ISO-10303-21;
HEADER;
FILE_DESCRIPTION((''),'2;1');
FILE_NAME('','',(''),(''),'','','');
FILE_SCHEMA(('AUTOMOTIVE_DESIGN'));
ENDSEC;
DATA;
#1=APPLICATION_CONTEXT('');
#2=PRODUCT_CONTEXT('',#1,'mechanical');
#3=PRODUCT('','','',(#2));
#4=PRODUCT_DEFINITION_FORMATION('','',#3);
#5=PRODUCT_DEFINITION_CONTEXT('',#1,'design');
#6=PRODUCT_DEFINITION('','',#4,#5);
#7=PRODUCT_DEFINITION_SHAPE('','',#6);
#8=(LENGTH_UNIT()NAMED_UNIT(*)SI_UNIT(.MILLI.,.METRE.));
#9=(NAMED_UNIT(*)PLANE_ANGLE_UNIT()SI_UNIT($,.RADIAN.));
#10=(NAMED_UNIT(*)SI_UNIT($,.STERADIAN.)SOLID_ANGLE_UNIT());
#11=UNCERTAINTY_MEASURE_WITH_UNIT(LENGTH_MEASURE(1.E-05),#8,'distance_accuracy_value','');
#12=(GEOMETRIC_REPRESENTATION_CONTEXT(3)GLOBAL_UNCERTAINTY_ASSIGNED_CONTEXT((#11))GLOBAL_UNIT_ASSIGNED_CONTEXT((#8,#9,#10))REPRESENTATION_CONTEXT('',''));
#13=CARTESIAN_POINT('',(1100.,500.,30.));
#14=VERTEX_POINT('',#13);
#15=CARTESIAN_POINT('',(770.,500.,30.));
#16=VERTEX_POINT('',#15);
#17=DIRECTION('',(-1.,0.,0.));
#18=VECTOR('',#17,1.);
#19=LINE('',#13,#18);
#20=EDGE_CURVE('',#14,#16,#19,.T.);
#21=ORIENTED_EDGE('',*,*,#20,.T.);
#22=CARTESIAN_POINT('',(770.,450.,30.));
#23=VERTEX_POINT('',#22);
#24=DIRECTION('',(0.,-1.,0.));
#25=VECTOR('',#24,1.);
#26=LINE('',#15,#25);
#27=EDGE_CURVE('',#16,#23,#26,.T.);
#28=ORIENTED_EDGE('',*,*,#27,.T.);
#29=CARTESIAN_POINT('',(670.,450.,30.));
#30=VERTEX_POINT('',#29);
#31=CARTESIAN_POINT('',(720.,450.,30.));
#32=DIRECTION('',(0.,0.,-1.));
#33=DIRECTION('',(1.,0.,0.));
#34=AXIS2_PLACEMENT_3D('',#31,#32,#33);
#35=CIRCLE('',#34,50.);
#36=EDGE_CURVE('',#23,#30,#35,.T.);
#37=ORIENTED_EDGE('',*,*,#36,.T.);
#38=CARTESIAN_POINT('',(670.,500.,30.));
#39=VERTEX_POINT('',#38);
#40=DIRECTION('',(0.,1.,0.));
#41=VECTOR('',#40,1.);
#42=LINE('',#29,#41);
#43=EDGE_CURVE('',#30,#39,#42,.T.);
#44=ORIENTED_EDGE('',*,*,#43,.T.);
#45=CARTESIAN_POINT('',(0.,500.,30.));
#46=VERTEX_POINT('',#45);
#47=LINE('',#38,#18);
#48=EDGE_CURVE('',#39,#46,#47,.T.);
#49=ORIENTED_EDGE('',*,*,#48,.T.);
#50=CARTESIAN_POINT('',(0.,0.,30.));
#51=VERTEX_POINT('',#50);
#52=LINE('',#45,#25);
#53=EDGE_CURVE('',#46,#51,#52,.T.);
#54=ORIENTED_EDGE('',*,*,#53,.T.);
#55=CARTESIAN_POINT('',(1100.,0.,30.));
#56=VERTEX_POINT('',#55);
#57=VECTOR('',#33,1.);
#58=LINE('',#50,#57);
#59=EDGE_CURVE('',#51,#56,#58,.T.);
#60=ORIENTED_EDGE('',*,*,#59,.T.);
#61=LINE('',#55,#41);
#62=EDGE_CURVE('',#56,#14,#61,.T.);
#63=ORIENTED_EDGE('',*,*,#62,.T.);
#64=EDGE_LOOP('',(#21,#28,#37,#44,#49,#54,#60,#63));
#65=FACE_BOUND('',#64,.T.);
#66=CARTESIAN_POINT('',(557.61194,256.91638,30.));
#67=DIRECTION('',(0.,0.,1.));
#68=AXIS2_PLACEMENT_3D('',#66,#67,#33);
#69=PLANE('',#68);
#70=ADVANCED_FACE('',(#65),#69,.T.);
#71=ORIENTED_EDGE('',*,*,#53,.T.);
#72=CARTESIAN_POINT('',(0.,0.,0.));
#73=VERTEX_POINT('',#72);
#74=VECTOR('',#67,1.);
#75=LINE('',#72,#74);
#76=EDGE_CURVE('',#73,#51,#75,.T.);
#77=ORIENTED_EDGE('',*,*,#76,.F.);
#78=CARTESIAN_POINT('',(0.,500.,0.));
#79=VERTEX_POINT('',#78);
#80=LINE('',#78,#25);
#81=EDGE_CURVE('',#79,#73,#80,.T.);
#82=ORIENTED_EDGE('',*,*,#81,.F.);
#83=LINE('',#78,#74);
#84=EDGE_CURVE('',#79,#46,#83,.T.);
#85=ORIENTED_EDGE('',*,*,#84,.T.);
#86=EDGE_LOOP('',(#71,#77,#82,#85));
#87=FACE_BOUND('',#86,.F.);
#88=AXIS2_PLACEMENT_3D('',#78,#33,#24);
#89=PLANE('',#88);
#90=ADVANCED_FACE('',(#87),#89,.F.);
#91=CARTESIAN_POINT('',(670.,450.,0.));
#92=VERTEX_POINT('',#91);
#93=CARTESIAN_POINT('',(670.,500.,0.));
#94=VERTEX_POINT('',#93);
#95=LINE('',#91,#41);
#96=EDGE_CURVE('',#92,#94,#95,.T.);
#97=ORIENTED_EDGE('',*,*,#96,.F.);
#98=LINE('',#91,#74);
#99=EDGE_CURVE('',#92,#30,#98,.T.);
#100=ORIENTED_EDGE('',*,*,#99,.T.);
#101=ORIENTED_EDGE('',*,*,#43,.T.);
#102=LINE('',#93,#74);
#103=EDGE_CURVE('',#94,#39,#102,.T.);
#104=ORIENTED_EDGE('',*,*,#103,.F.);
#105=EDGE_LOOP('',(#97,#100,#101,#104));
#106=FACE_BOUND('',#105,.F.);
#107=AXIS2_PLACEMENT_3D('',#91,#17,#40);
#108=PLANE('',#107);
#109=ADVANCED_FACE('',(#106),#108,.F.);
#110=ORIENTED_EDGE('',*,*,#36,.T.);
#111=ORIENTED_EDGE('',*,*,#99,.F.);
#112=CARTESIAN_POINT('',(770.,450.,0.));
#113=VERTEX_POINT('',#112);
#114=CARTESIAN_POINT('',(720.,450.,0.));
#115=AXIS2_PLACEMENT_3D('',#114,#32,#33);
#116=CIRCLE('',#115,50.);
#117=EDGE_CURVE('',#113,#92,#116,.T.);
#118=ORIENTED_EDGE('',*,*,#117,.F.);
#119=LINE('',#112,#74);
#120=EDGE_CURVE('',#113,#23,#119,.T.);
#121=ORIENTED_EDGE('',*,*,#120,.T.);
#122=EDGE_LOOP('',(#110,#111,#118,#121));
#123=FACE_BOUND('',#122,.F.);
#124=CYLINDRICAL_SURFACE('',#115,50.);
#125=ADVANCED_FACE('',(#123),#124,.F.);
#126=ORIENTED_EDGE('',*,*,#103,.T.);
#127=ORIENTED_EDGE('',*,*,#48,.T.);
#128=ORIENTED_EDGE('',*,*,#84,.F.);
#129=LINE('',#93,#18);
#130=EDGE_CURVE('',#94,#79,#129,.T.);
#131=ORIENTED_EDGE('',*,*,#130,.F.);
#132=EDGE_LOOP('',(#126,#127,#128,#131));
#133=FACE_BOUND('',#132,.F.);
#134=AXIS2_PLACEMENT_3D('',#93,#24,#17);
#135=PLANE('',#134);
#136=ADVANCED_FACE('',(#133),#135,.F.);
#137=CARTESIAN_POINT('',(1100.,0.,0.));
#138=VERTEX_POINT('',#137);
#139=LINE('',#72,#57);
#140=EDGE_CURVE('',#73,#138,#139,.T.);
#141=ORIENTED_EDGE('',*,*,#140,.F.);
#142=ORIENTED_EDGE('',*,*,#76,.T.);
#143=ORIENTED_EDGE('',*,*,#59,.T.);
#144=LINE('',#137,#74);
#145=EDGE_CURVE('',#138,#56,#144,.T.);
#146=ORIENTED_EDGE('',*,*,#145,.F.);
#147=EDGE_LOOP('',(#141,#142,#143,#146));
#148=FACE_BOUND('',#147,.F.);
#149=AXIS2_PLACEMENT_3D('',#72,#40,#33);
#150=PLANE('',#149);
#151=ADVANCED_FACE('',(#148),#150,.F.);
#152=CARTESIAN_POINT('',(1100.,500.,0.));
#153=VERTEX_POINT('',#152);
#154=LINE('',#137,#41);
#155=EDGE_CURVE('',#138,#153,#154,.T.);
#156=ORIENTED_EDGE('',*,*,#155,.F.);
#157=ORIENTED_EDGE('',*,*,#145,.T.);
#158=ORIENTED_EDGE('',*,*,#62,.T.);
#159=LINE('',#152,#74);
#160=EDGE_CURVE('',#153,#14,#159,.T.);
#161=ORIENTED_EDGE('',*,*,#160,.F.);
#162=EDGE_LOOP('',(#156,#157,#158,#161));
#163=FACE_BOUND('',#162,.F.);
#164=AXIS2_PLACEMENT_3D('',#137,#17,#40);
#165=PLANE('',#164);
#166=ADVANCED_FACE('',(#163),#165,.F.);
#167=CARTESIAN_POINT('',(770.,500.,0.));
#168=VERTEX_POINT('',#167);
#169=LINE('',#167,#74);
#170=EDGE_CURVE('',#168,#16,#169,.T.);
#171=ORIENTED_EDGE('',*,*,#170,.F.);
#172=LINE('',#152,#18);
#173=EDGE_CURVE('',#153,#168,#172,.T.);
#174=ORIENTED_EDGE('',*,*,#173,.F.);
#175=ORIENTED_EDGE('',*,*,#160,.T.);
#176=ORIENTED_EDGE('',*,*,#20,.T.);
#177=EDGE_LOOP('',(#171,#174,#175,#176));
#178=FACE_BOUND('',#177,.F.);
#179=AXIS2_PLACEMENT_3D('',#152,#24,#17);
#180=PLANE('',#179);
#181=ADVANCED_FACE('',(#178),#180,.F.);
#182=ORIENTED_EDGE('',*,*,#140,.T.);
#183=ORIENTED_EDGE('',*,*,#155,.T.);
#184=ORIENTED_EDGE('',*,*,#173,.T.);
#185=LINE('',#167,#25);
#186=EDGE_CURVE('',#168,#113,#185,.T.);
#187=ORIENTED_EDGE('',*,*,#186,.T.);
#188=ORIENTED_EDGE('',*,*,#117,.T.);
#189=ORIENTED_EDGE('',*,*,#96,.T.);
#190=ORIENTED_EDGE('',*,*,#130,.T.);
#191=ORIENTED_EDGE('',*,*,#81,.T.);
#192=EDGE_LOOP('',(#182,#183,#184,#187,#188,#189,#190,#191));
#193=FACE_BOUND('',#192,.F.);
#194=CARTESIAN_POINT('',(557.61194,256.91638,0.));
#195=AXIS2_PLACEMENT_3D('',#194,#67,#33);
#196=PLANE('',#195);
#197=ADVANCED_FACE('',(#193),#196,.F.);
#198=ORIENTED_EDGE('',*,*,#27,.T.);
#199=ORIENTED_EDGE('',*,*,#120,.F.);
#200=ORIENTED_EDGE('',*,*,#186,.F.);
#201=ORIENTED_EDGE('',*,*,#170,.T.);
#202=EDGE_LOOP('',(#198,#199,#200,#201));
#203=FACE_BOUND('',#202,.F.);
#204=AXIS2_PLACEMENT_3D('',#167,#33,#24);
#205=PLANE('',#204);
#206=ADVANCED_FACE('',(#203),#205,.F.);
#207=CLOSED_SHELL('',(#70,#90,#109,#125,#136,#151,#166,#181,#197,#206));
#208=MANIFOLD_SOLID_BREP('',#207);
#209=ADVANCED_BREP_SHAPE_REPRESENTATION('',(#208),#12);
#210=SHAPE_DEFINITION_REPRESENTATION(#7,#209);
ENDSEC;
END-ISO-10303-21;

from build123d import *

# Parameters (mm, degrees)
F1_DEPTH = 30


with BuildPart() as f1:
    # F0 (on Top) → F1 (new body)
    with BuildSketch(Plane.XY):
        with BuildLine():
            Line((0, 500), (0, 0))
            Line((0, 0), (1100, 0))
            Line((1100, 0), (1100, 500))
            Line((1100, 500), (770, 500))
            Line((770, 500), (770, 450))
            ThreePointArc((770, 450), (720, 400), (670, 450))
            Line((670, 450), (670, 500))
            Line((670, 500), (0, 500))
        make_face()
    extrude(amount=F1_DEPTH)


solid = f1.part
